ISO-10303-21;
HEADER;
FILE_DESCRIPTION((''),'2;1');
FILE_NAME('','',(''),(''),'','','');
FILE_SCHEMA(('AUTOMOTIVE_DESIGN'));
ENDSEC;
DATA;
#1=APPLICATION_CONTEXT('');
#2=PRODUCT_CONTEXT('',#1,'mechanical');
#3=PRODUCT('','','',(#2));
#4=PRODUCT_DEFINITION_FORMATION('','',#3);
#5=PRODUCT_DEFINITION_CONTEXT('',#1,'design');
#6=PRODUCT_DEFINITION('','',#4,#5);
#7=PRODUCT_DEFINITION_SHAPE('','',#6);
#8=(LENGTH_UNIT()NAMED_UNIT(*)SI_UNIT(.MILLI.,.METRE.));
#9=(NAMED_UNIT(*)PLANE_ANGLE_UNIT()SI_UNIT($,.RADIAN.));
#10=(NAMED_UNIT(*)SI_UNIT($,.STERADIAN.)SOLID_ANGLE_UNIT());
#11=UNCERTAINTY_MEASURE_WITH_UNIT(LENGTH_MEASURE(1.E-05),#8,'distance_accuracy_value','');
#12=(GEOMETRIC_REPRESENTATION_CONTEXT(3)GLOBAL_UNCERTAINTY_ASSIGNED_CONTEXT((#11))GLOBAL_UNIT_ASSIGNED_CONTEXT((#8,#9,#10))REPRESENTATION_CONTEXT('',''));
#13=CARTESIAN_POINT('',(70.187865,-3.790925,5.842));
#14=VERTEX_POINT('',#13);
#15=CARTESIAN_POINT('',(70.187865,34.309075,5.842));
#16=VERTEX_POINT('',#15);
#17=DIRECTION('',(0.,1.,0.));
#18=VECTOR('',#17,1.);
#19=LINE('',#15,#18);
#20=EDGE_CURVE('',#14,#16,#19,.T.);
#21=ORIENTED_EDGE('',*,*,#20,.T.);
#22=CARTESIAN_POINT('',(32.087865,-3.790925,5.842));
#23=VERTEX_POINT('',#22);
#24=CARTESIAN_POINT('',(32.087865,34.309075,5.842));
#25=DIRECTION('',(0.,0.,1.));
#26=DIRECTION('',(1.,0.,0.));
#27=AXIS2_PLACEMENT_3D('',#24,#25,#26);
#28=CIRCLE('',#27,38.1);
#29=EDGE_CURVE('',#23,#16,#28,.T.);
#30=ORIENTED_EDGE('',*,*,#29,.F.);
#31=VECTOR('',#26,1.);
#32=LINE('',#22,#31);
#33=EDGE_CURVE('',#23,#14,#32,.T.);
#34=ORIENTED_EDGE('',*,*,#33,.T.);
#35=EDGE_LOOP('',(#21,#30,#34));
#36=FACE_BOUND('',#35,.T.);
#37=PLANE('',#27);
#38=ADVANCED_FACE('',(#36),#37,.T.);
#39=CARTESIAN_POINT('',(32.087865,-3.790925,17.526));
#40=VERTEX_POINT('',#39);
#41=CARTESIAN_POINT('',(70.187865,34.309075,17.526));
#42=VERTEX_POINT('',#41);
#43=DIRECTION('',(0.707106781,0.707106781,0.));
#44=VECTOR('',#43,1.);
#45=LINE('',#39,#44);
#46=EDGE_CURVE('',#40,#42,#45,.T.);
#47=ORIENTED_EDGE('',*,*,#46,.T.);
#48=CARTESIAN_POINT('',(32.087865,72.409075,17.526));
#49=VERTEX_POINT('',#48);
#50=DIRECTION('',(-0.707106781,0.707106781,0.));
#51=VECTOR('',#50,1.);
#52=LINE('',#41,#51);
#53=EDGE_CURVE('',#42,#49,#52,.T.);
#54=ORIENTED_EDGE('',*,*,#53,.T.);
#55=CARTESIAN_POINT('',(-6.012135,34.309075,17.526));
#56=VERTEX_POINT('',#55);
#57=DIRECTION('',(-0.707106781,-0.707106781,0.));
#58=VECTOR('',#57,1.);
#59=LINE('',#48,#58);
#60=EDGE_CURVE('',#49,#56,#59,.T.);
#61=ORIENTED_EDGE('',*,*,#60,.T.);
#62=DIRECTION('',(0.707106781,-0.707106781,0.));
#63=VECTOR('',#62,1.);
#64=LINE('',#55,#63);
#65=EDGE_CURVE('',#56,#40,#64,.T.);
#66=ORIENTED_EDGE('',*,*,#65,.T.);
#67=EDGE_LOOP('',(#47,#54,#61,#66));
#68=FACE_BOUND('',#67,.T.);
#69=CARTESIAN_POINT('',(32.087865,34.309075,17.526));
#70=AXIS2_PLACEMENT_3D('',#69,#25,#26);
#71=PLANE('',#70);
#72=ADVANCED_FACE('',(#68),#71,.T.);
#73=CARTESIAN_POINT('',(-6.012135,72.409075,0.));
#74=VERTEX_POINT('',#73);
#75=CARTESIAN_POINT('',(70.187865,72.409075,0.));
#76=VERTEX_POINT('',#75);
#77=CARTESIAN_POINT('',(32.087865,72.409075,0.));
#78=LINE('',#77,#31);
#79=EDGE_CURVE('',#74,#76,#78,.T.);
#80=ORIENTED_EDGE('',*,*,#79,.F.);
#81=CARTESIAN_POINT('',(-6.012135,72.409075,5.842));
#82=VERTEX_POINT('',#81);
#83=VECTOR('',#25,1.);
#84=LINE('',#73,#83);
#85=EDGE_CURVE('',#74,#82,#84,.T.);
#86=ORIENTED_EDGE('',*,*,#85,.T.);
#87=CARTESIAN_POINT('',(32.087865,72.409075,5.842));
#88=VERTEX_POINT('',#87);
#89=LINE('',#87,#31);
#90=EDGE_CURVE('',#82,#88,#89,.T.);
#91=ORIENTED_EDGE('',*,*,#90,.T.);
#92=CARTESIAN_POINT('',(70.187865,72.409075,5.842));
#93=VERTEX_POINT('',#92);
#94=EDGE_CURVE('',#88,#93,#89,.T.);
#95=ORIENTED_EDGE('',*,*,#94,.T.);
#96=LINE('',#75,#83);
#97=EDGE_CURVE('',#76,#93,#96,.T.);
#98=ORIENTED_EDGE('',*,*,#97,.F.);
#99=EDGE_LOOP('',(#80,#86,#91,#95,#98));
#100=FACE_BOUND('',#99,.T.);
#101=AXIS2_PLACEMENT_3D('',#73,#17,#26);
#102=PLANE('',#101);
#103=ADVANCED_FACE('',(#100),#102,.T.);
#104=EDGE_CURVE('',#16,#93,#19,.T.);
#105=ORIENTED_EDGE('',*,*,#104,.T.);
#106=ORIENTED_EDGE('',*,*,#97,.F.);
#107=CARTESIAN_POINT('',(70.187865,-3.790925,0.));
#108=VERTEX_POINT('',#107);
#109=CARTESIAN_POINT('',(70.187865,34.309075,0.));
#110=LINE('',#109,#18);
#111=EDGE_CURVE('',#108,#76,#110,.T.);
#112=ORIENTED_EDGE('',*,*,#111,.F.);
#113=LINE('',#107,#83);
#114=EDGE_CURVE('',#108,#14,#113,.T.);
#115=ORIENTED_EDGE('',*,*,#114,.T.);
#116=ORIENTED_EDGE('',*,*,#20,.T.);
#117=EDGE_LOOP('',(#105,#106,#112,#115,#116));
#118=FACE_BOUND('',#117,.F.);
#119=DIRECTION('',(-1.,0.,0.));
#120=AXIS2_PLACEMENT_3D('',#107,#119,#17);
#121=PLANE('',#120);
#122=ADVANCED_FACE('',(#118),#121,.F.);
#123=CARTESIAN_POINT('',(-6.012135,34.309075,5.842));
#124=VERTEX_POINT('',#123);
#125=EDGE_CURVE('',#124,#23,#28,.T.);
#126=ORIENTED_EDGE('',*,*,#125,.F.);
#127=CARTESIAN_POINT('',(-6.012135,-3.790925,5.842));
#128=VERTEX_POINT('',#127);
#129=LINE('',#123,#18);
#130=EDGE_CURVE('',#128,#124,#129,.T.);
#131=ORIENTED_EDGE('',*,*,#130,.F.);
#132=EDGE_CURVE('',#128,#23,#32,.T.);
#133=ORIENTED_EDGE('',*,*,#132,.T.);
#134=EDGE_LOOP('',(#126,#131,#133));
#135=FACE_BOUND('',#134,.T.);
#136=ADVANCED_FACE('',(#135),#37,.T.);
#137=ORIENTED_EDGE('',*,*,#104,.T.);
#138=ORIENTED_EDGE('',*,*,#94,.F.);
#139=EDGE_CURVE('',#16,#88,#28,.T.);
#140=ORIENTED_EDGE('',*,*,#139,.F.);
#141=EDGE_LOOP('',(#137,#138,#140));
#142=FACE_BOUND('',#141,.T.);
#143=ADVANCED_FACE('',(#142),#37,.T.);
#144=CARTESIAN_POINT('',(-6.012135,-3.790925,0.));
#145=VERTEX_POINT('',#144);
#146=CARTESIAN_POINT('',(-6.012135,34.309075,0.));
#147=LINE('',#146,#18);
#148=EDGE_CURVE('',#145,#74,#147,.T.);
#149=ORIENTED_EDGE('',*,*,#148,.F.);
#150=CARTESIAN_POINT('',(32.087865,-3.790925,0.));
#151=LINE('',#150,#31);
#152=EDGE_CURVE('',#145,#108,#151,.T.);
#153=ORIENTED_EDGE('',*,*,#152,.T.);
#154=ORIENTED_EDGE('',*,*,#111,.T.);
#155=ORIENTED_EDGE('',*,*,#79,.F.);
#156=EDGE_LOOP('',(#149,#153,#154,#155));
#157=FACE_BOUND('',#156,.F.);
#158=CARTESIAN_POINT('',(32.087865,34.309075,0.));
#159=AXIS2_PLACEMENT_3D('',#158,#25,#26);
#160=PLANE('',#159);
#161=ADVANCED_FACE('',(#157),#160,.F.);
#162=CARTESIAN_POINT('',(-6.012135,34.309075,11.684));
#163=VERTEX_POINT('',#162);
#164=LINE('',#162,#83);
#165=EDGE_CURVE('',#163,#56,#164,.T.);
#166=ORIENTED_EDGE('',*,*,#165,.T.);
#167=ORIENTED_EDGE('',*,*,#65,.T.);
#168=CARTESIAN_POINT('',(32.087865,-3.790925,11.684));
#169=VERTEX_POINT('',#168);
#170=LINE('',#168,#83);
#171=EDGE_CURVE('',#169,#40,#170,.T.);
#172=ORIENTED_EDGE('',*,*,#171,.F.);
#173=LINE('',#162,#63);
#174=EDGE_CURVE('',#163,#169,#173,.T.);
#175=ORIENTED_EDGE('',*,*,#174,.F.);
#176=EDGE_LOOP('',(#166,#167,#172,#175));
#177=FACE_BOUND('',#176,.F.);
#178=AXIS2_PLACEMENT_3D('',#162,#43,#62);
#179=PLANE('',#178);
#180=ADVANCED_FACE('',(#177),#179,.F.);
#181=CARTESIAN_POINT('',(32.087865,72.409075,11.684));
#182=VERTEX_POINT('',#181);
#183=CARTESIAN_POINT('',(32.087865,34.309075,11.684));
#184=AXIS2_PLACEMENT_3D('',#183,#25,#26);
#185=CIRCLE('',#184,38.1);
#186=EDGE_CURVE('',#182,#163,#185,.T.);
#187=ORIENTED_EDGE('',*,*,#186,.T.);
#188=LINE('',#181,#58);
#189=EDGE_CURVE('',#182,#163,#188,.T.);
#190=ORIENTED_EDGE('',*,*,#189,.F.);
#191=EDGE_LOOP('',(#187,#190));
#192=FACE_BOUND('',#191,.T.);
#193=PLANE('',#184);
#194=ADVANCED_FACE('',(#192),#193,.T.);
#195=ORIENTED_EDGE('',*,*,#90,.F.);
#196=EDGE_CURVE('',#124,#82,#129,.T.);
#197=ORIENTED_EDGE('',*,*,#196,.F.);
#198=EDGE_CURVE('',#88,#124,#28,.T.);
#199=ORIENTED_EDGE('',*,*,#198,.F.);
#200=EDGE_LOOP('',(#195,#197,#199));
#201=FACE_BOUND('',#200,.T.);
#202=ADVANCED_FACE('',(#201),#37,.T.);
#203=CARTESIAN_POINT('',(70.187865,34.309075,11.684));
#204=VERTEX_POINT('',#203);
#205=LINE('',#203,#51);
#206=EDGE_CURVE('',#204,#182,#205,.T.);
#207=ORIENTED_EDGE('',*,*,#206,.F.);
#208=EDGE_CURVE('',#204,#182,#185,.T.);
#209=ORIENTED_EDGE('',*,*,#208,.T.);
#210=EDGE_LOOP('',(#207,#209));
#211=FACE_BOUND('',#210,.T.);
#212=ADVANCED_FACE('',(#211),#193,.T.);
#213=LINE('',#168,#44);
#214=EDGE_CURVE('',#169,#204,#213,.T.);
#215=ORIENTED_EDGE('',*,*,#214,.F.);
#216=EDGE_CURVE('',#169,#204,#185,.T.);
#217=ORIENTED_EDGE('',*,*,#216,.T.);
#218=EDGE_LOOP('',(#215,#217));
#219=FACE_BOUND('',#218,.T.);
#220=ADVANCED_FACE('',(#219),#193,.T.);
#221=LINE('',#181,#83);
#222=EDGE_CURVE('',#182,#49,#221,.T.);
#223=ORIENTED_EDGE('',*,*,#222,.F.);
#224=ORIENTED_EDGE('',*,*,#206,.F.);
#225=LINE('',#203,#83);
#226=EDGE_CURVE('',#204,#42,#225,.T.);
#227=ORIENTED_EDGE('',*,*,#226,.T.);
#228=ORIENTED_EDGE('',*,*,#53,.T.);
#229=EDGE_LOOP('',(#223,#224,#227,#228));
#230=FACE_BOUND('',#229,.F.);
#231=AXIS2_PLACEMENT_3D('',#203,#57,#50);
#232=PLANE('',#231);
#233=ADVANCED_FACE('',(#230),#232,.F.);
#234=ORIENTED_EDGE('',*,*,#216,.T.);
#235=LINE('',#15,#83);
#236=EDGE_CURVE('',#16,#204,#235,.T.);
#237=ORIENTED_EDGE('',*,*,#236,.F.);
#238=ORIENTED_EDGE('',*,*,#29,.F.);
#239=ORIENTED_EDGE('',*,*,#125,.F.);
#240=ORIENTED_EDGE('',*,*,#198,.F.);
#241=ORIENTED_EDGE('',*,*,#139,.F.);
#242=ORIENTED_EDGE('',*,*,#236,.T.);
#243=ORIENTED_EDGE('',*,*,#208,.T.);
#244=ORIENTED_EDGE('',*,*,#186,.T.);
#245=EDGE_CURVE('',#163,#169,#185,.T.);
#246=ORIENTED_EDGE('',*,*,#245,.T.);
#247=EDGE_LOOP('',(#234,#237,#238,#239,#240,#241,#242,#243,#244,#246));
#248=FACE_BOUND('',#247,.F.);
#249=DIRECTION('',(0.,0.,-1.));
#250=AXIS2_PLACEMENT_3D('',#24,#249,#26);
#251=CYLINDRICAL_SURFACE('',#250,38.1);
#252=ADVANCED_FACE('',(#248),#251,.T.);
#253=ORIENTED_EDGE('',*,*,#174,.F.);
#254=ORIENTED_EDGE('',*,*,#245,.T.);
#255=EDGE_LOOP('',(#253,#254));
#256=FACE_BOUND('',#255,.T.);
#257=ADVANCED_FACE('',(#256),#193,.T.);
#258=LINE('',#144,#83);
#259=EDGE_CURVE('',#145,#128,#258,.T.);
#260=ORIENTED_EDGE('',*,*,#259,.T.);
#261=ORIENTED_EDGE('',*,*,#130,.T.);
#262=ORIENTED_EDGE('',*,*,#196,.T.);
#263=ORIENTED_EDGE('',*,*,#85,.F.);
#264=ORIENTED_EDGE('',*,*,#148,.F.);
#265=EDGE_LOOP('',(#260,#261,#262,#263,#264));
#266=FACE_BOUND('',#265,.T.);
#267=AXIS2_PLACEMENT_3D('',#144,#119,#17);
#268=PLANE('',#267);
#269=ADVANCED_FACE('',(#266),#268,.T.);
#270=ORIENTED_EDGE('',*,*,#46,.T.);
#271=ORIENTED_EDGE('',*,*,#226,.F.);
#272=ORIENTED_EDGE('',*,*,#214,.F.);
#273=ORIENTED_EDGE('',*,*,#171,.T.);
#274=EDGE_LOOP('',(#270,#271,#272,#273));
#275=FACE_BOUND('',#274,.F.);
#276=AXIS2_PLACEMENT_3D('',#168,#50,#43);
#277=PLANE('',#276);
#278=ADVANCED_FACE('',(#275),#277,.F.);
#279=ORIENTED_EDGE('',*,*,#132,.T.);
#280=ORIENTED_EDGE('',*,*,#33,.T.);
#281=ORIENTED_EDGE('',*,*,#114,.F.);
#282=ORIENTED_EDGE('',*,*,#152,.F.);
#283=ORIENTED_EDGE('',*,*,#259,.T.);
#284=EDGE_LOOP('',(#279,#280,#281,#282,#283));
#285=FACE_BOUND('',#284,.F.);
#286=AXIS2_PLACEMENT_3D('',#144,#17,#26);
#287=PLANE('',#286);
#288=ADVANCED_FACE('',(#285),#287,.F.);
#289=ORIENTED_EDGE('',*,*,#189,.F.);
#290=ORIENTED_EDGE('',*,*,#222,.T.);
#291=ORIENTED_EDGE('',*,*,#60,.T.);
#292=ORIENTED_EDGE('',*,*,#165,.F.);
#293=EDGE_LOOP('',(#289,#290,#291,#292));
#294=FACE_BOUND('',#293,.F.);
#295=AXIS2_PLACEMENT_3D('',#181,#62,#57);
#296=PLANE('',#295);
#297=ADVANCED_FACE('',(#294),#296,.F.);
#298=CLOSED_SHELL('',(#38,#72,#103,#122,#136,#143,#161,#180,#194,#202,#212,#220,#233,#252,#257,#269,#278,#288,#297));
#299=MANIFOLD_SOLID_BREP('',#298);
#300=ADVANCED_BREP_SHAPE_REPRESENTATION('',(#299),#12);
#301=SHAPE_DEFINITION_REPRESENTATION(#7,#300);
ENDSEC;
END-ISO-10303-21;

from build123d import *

# Parameters (mm, degrees)
F0_W     = 76.2
F0_H     = 76.2
F1_DEPTH = 5.842
F2_R     = 38.1
F3_DEPTH = 5.842
F5_DEPTH = 5.842


with BuildPart() as f1:
    # F0 (on Top) → F1 (new body)
    with BuildSketch(Plane.XY):
        with Locations((32.087865, 34.309075)):
            Rectangle(F0_W, F0_H)
    extrude(amount=F1_DEPTH)

    # F2 (on face) → F3 (join)
    with BuildSketch(Plane.XY.offset(5.842)):
        with Locations((32.087865, 34.309075)):
            Circle(F2_R)
    extrude(amount=F3_DEPTH)

    # F4 (on face) → F5 (join)
    with BuildSketch(Plane.XY.offset(11.684)):
        Polygon((70.187865, 34.309075), (32.087865, 72.409075), (-6.012135, 34.309075), (32.087865, -3.790925), align=None)
    extrude(amount=F5_DEPTH)


solid = f1.part
